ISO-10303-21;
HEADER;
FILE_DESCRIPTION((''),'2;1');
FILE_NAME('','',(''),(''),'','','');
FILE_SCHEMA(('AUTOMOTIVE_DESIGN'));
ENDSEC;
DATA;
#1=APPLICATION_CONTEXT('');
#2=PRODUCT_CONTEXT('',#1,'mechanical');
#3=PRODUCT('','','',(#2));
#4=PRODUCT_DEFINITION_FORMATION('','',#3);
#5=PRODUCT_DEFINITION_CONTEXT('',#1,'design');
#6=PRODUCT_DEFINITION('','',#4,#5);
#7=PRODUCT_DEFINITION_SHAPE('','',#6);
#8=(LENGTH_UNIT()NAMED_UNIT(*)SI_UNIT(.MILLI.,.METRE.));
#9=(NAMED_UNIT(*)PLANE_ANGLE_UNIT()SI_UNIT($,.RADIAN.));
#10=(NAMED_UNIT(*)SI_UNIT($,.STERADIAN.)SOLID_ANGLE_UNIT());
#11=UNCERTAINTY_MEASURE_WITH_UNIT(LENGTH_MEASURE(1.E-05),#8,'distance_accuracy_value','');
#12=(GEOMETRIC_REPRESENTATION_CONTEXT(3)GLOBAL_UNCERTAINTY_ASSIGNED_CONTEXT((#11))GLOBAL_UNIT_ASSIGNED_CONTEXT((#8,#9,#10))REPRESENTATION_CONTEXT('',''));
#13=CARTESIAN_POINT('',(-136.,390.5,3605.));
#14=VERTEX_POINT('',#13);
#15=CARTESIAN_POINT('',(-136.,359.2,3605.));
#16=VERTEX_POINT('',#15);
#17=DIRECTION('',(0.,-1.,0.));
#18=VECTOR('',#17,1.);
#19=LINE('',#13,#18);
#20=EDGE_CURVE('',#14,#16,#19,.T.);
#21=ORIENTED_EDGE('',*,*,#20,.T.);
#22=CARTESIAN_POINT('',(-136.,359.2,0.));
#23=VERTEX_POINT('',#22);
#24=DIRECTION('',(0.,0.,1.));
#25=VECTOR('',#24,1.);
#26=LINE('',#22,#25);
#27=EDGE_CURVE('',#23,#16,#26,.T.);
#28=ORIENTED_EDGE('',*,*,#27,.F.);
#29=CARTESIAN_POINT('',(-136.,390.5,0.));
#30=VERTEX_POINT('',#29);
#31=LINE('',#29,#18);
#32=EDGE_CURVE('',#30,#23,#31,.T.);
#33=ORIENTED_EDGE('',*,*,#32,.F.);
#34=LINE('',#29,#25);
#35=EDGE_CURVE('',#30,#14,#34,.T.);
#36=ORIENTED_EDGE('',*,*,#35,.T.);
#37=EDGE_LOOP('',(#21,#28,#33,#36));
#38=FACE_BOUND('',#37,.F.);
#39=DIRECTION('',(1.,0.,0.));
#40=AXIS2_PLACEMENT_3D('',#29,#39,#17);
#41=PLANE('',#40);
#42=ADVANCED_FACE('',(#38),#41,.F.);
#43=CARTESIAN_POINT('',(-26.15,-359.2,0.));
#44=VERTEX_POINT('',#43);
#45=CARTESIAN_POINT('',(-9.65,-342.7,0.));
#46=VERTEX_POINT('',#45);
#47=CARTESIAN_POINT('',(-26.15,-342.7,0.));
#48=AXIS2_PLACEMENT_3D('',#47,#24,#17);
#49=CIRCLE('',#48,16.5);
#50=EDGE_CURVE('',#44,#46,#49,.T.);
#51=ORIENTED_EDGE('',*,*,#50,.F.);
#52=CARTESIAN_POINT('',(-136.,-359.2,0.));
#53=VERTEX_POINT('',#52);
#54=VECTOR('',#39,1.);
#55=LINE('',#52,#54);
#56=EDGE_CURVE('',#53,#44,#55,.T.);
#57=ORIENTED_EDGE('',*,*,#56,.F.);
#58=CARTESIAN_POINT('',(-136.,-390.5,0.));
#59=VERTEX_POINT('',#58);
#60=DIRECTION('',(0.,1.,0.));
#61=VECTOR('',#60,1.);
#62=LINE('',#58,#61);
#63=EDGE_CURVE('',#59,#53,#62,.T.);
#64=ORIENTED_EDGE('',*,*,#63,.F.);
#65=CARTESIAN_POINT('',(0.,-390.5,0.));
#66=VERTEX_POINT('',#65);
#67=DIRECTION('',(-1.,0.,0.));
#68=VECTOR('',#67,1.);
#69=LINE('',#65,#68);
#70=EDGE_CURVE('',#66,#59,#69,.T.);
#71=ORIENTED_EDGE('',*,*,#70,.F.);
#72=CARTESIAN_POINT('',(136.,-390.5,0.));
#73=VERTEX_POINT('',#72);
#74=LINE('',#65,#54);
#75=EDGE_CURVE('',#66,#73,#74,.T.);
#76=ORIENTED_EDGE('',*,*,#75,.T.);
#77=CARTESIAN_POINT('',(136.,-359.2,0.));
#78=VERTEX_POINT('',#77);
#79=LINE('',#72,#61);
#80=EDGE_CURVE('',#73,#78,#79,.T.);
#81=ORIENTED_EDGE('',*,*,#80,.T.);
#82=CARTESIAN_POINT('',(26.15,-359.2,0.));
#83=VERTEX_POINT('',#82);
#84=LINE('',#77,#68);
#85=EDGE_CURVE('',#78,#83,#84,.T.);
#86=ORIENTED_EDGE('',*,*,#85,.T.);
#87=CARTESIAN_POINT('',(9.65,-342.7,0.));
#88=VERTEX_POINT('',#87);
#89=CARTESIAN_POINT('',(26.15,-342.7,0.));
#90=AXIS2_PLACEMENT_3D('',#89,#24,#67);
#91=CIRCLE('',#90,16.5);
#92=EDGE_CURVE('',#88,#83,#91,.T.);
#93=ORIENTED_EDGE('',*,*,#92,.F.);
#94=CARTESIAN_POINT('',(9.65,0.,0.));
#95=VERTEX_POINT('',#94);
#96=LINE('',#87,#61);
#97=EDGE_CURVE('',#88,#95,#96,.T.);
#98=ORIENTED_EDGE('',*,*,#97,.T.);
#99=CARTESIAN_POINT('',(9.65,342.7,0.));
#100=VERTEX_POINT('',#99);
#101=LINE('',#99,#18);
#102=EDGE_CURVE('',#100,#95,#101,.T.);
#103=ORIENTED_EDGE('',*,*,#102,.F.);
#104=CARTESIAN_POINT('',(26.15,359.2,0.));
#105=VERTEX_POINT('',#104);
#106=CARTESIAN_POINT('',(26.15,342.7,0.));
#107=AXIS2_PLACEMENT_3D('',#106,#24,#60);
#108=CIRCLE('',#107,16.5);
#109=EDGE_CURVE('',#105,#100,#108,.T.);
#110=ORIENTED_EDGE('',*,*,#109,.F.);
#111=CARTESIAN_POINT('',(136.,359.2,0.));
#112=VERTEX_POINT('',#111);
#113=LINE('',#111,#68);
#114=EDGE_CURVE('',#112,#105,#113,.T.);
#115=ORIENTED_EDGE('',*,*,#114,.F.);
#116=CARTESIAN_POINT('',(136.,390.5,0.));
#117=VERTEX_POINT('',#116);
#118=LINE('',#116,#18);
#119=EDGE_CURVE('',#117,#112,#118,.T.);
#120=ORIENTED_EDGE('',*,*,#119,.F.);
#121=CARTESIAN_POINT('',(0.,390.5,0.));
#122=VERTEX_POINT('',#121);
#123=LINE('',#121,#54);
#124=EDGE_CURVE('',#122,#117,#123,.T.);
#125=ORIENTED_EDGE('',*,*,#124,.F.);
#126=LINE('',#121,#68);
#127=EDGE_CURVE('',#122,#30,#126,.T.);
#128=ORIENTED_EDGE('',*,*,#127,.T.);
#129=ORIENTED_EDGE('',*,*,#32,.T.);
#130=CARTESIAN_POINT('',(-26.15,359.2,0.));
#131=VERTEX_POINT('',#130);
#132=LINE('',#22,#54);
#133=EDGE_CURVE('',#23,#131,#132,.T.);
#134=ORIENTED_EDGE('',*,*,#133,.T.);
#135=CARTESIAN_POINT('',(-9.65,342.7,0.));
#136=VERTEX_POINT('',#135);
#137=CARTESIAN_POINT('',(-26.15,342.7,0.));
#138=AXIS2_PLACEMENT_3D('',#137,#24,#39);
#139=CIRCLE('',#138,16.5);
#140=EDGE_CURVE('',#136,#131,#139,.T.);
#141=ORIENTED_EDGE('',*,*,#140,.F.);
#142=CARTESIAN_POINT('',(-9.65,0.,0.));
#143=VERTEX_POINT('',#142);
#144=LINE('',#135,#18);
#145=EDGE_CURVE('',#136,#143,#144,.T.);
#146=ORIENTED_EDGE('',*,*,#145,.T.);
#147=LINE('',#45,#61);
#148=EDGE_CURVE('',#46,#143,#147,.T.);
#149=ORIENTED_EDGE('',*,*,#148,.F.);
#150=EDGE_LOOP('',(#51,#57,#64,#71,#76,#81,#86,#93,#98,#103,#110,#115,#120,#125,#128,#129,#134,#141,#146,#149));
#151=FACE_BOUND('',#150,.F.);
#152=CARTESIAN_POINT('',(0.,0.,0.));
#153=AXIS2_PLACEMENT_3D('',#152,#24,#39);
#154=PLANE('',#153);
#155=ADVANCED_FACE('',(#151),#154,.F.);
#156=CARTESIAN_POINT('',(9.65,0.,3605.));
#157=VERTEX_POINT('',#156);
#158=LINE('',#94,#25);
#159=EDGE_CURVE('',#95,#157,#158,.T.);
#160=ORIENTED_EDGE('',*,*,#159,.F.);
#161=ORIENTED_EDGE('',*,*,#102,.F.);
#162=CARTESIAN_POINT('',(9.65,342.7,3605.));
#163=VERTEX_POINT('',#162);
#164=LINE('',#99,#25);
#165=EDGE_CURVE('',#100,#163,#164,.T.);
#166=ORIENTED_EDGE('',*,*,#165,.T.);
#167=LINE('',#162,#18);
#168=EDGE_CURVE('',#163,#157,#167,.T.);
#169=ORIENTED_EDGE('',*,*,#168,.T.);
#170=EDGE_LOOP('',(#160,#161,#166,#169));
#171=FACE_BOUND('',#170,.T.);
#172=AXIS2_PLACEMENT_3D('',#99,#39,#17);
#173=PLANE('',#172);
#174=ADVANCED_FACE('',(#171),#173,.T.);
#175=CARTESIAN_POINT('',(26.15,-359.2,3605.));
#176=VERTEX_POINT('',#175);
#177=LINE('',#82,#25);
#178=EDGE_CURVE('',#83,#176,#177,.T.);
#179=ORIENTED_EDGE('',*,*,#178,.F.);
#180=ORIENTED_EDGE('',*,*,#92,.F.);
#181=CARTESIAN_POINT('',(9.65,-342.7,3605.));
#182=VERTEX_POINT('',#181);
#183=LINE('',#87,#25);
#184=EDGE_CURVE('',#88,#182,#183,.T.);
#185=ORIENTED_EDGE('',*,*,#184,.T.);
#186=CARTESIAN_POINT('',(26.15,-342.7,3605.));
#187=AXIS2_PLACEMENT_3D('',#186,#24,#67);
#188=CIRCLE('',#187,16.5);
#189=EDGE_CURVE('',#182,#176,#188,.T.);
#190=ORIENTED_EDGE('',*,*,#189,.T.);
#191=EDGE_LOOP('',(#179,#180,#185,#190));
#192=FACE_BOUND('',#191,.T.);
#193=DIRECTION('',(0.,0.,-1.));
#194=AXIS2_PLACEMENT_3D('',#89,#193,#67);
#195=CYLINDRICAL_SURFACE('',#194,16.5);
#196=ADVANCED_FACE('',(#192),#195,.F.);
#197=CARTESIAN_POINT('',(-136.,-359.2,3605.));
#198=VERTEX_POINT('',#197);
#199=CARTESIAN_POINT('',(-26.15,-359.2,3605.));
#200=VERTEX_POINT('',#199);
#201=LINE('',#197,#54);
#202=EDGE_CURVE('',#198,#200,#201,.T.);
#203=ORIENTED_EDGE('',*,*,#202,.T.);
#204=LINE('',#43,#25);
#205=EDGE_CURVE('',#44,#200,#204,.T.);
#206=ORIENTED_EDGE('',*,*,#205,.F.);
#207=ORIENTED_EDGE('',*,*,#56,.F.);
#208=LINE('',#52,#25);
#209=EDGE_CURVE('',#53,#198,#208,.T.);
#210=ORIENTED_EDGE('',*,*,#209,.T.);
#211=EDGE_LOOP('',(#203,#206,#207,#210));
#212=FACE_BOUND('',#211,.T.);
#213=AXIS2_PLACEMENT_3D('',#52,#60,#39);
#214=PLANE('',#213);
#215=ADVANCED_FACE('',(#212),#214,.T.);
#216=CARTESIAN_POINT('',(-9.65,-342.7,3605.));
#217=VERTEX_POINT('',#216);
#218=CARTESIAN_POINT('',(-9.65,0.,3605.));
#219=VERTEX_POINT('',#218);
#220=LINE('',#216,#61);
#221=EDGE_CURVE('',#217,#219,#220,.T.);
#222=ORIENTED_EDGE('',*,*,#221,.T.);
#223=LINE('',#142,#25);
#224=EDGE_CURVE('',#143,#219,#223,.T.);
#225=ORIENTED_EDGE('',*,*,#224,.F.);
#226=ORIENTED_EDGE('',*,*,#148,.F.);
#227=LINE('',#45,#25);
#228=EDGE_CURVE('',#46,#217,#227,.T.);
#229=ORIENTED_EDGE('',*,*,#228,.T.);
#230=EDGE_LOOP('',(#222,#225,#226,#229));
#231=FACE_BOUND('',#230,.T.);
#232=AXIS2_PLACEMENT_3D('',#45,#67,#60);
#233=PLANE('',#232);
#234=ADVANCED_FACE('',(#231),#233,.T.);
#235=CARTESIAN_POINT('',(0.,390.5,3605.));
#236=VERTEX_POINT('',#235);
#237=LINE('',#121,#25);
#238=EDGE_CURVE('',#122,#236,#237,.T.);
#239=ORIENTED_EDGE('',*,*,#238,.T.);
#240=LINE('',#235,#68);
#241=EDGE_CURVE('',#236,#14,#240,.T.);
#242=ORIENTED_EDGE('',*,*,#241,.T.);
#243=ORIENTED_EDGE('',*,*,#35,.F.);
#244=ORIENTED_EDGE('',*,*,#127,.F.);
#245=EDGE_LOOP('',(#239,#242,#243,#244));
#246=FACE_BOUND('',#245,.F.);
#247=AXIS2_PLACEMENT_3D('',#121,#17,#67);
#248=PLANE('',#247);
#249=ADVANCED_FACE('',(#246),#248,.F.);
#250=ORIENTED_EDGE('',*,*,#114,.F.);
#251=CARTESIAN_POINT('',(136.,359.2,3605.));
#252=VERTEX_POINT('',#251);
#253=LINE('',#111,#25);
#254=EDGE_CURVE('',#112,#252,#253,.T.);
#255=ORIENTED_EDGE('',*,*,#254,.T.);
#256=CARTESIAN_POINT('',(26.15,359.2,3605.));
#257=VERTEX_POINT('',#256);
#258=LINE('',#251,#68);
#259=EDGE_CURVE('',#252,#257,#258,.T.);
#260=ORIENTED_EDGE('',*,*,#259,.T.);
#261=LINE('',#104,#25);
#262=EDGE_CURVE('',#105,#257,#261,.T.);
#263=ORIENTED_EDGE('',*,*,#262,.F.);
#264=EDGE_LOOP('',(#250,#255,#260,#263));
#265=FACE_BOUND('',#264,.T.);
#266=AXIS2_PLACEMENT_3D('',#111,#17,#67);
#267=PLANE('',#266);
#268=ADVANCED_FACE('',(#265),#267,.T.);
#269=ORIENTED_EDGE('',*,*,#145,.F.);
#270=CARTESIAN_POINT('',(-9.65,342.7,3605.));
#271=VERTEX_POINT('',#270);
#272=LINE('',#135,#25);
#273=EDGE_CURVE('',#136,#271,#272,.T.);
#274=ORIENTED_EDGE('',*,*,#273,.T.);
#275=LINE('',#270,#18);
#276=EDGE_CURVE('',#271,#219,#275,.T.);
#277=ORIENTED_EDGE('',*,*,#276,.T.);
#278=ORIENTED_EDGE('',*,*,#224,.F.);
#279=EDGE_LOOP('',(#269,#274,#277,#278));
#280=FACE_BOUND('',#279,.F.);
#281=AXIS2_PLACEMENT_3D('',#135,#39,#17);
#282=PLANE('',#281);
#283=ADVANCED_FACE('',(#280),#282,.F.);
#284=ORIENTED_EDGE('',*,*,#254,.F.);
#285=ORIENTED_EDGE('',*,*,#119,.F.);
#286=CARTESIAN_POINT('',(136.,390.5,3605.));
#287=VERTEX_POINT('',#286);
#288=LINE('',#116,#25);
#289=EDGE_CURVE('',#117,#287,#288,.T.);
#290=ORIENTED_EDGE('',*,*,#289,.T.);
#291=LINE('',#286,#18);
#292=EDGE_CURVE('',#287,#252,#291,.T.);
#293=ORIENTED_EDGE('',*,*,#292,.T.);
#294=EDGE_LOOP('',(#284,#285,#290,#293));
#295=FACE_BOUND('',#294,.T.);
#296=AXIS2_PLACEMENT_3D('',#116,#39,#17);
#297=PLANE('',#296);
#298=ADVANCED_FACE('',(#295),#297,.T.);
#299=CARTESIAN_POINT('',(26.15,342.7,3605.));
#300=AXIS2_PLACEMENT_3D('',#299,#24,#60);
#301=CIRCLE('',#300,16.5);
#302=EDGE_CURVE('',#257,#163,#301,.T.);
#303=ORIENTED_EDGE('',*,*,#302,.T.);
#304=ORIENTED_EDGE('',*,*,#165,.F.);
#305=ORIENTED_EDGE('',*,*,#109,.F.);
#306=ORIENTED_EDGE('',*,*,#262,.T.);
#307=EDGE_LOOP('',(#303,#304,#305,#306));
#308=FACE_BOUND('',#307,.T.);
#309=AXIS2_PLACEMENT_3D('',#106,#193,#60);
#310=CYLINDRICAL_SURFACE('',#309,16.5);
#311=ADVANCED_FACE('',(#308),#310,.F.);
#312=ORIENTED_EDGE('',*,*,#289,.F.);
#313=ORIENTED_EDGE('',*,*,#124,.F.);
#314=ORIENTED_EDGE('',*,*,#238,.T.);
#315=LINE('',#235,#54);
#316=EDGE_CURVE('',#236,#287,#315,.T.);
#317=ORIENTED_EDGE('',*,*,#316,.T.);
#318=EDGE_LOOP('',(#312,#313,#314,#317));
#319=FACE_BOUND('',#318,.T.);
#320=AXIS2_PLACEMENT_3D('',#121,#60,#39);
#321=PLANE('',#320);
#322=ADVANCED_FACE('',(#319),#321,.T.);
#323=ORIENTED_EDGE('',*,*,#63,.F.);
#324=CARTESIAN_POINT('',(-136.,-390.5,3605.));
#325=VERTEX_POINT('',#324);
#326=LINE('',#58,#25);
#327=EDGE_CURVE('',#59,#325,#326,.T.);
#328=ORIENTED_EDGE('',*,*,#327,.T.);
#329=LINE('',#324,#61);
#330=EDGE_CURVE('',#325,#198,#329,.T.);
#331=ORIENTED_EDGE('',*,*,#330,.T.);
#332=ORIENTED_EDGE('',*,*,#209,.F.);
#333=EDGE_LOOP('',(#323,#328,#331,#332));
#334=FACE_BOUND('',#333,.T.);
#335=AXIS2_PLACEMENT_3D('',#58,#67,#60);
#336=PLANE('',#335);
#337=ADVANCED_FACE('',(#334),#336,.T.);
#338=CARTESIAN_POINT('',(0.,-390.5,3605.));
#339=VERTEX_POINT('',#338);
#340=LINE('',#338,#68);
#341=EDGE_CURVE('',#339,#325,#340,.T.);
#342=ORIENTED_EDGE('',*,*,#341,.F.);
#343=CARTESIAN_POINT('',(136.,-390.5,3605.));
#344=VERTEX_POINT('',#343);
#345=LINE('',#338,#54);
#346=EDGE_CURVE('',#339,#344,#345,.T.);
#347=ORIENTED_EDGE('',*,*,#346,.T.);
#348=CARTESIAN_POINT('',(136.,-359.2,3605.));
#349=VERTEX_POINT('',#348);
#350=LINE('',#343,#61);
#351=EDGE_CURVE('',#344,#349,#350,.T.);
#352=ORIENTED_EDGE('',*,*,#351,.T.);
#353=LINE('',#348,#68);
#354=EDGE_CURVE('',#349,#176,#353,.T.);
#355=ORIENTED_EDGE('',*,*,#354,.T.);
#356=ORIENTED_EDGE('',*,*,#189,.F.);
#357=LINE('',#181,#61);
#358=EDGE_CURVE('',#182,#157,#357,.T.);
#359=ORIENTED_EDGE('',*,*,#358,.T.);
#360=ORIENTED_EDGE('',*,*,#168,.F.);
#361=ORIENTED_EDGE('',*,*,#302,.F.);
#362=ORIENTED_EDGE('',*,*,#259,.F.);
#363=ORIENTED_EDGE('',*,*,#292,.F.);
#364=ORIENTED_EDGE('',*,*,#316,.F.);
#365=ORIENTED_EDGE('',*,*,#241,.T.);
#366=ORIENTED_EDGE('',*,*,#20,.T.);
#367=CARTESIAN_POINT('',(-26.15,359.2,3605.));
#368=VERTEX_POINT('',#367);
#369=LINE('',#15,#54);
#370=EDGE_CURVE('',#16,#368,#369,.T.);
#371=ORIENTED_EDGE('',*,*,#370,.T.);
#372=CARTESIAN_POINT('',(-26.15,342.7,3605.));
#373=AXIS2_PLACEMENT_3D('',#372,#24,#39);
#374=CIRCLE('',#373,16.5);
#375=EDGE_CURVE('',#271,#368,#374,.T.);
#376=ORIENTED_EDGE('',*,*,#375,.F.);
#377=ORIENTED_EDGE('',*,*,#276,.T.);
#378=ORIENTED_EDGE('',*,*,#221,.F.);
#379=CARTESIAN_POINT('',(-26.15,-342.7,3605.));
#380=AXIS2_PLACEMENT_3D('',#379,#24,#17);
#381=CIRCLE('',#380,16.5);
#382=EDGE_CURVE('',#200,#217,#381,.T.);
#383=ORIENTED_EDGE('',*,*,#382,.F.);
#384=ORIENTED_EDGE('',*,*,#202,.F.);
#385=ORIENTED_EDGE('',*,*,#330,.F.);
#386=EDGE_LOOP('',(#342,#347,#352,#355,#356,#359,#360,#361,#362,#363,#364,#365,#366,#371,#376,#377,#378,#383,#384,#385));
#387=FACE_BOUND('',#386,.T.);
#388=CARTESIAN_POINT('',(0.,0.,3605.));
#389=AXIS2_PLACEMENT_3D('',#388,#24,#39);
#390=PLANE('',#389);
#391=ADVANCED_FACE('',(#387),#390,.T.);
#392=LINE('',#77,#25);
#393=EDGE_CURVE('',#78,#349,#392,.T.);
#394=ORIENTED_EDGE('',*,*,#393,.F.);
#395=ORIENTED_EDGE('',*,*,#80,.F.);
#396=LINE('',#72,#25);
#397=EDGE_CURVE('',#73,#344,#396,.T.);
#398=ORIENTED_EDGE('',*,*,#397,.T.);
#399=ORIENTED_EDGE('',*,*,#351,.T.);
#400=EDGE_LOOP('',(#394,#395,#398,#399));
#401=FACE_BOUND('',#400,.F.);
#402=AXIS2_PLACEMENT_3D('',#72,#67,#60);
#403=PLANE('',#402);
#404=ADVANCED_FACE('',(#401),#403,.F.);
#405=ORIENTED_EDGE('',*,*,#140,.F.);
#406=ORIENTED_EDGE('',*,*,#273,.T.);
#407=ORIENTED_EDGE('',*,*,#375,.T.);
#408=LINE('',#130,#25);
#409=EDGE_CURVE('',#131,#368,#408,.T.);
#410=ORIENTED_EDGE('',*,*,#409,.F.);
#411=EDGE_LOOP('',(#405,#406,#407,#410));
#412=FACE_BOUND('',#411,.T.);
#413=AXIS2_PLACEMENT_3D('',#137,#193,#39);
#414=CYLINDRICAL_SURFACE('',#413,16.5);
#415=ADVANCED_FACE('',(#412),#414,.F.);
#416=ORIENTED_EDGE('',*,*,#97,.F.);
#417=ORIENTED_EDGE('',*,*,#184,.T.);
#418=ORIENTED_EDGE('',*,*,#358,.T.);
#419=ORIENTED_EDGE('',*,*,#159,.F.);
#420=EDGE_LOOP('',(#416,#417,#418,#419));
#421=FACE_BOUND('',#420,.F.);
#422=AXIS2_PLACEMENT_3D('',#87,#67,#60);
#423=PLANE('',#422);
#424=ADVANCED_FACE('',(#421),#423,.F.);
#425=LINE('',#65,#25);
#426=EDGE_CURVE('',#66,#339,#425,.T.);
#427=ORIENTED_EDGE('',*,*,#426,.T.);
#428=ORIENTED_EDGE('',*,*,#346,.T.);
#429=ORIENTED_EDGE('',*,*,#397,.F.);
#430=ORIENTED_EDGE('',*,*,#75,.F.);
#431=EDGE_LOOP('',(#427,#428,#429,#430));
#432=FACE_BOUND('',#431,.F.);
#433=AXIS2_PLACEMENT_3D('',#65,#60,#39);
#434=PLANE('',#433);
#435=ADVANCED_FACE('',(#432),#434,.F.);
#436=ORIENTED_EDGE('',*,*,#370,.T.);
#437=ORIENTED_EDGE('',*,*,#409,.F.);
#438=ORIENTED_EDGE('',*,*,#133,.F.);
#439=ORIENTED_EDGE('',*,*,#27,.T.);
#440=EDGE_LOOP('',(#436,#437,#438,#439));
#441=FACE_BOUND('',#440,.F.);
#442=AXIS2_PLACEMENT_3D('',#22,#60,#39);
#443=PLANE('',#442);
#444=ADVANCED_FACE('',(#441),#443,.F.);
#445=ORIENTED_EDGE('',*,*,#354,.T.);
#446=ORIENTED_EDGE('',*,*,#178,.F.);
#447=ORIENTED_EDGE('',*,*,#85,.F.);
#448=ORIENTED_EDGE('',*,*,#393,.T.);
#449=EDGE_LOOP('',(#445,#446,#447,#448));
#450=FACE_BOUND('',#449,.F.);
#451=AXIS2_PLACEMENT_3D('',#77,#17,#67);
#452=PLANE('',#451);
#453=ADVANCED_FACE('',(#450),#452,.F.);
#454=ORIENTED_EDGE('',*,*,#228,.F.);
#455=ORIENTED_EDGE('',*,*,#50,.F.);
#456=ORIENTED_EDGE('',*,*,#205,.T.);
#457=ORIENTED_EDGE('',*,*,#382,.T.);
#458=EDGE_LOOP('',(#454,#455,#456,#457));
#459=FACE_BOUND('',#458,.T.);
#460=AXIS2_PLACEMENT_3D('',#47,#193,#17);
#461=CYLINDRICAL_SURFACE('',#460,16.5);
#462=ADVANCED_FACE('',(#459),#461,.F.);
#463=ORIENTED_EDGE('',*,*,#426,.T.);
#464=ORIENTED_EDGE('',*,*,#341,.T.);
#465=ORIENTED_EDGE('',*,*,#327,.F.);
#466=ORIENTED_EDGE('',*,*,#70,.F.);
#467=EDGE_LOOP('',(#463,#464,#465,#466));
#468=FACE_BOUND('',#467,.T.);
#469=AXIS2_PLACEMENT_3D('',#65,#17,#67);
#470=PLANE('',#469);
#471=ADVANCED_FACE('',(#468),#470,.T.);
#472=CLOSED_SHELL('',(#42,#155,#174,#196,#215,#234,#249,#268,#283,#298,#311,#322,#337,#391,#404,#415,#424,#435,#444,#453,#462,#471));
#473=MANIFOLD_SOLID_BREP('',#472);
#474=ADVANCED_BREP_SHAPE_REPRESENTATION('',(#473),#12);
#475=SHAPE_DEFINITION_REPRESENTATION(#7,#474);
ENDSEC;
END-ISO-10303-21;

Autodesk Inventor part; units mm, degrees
ref_plane "YZ Plane" through (0, 0, 0) normal (1, 0, 0) x (0, 1, 0)
ref_plane "Start plane" through (0, 0, 0) normal (0, 0, 1) x (1, 0, 0)
ref_plane "End plane" through (0, 0, 3605) normal (0, 0, 1) x (1, 0, 0)
sketch "Sketch" plane through (0, 0, 0) normal (0, 0, 1) x (1, 0, 0)
  line L0 (-136, -390.5) -> (-136, -359.2)
  line L1 (-136, -359.2) -> (-26.15, -359.2)
  line L2 (-9.65, -342.7) -> (-9.65, 0)
  line L3 (-9.65, 0) -> (0, 0) construction
  line L4 (0, 0) -> (0, -390.5) construction
  line L5 (0, -390.5) -> (-136, -390.5)
  line L6 (-60, 0) -> (80, 0) construction
  line L7 (0, -60) -> (0, 80) construction
  line L8 (136, -390.5) -> (136, -359.2)
  line L9 (136, -359.2) -> (26.15, -359.2)
  line L10 (9.65, -342.7) -> (9.65, 0)
  line L11 (9.65, 0) -> (0, 0) construction
  line L12 (0, -390.5) -> (136, -390.5)
  line L13 (-136, 390.5) -> (-136, 359.2)
  line L14 (-136, 359.2) -> (-26.15, 359.2)
  line L15 (-9.65, 342.7) -> (-9.65, 0)
  line L16 (0, 390.5) -> (-136, 390.5)
  line L17 (136, 390.5) -> (136, 359.2)
  line L18 (136, 359.2) -> (26.15, 359.2)
  line L19 (0, 390.5) -> (136, 390.5)
  line L20 (9.65, 342.7) -> (9.65, 0)
  arc A0 (-9.65, 342.7) -> (-26.15, 359.2) centre (-26.15, 342.7) ccw
  arc A1 (26.15, 359.2) -> (9.65, 342.7) centre (26.15, 342.7) ccw
  arc A2 (9.65, -342.7) -> (26.15, -359.2) centre (26.15, -342.7) ccw
  arc A3 (-26.15, -359.2) -> (-9.65, -342.7) centre (-26.15, -342.7) ccw
  line L21 (0, 108) -> (0, -88) construction
  line L22 (-88, 0) -> (108, 0) construction
  point P0 (-9.65, -359.2)
  point P1 (9.65, -359.2)
  point P2 (-9.65, 359.2)
  point P3 (9.65, 359.2)
  dimension "d1" = 390.5
  dimension "d2" = 31.3
  dimension "d3" = 136
  dimension "d4" = 9.65
  dimension "d10" = 16.5
extrude "Body" add sketch "Sketch" along normal up to surface (3605 mm away) from surface at 0
sketch "Sketch4" plane through (0, 0, 0) normal (0, 0, 1) x (1, 0, 0)
  line L0 (0, 0) -> (10, 0)
ref_plane "Work Plane3" through (0, 0, 0) normal (0, -1, 0) x (1, 0, 0)
sketch "Sketch5" plane through (0, 0, 0) normal (0, -1, 0) x (1, 0, 0)
  line L0 (-2, 0) -> (12, 0) projected
  line L1 (-2, 3605) -> (12, 3605) projected
  dimension "d14" = 3605
equation "\"d1\" = 0.5 * G_H"
equation "\"d2\" = G_T1"
equation "\"d3\" = 0.5 * G_W"
equation "\"d4\" = 0.5 * G_T"
equation "\"d10\" = G_IR"
equation "\"d5\" = G_L"
equation "\"G_W\" = 272"
equation "\"G_H\" = 781"
equation "\"G_T\" = 19.3"
equation "\"G_T1\" = 31.3"
equation "\"G_IR\" = 16.5"
equation "\"G_L\" = d14"
equation "\"G_OFFSET_START\" = 0"
equation "\"G_OFFSET_END\" = 0"
equation "\"d12\" = G_OFFSET_END + B_L"
equation "\"B_L\" = 3605"
properties part number "AS 3679-1990 - 760 UB - 244 - 3605" material "Steel, Mild"
